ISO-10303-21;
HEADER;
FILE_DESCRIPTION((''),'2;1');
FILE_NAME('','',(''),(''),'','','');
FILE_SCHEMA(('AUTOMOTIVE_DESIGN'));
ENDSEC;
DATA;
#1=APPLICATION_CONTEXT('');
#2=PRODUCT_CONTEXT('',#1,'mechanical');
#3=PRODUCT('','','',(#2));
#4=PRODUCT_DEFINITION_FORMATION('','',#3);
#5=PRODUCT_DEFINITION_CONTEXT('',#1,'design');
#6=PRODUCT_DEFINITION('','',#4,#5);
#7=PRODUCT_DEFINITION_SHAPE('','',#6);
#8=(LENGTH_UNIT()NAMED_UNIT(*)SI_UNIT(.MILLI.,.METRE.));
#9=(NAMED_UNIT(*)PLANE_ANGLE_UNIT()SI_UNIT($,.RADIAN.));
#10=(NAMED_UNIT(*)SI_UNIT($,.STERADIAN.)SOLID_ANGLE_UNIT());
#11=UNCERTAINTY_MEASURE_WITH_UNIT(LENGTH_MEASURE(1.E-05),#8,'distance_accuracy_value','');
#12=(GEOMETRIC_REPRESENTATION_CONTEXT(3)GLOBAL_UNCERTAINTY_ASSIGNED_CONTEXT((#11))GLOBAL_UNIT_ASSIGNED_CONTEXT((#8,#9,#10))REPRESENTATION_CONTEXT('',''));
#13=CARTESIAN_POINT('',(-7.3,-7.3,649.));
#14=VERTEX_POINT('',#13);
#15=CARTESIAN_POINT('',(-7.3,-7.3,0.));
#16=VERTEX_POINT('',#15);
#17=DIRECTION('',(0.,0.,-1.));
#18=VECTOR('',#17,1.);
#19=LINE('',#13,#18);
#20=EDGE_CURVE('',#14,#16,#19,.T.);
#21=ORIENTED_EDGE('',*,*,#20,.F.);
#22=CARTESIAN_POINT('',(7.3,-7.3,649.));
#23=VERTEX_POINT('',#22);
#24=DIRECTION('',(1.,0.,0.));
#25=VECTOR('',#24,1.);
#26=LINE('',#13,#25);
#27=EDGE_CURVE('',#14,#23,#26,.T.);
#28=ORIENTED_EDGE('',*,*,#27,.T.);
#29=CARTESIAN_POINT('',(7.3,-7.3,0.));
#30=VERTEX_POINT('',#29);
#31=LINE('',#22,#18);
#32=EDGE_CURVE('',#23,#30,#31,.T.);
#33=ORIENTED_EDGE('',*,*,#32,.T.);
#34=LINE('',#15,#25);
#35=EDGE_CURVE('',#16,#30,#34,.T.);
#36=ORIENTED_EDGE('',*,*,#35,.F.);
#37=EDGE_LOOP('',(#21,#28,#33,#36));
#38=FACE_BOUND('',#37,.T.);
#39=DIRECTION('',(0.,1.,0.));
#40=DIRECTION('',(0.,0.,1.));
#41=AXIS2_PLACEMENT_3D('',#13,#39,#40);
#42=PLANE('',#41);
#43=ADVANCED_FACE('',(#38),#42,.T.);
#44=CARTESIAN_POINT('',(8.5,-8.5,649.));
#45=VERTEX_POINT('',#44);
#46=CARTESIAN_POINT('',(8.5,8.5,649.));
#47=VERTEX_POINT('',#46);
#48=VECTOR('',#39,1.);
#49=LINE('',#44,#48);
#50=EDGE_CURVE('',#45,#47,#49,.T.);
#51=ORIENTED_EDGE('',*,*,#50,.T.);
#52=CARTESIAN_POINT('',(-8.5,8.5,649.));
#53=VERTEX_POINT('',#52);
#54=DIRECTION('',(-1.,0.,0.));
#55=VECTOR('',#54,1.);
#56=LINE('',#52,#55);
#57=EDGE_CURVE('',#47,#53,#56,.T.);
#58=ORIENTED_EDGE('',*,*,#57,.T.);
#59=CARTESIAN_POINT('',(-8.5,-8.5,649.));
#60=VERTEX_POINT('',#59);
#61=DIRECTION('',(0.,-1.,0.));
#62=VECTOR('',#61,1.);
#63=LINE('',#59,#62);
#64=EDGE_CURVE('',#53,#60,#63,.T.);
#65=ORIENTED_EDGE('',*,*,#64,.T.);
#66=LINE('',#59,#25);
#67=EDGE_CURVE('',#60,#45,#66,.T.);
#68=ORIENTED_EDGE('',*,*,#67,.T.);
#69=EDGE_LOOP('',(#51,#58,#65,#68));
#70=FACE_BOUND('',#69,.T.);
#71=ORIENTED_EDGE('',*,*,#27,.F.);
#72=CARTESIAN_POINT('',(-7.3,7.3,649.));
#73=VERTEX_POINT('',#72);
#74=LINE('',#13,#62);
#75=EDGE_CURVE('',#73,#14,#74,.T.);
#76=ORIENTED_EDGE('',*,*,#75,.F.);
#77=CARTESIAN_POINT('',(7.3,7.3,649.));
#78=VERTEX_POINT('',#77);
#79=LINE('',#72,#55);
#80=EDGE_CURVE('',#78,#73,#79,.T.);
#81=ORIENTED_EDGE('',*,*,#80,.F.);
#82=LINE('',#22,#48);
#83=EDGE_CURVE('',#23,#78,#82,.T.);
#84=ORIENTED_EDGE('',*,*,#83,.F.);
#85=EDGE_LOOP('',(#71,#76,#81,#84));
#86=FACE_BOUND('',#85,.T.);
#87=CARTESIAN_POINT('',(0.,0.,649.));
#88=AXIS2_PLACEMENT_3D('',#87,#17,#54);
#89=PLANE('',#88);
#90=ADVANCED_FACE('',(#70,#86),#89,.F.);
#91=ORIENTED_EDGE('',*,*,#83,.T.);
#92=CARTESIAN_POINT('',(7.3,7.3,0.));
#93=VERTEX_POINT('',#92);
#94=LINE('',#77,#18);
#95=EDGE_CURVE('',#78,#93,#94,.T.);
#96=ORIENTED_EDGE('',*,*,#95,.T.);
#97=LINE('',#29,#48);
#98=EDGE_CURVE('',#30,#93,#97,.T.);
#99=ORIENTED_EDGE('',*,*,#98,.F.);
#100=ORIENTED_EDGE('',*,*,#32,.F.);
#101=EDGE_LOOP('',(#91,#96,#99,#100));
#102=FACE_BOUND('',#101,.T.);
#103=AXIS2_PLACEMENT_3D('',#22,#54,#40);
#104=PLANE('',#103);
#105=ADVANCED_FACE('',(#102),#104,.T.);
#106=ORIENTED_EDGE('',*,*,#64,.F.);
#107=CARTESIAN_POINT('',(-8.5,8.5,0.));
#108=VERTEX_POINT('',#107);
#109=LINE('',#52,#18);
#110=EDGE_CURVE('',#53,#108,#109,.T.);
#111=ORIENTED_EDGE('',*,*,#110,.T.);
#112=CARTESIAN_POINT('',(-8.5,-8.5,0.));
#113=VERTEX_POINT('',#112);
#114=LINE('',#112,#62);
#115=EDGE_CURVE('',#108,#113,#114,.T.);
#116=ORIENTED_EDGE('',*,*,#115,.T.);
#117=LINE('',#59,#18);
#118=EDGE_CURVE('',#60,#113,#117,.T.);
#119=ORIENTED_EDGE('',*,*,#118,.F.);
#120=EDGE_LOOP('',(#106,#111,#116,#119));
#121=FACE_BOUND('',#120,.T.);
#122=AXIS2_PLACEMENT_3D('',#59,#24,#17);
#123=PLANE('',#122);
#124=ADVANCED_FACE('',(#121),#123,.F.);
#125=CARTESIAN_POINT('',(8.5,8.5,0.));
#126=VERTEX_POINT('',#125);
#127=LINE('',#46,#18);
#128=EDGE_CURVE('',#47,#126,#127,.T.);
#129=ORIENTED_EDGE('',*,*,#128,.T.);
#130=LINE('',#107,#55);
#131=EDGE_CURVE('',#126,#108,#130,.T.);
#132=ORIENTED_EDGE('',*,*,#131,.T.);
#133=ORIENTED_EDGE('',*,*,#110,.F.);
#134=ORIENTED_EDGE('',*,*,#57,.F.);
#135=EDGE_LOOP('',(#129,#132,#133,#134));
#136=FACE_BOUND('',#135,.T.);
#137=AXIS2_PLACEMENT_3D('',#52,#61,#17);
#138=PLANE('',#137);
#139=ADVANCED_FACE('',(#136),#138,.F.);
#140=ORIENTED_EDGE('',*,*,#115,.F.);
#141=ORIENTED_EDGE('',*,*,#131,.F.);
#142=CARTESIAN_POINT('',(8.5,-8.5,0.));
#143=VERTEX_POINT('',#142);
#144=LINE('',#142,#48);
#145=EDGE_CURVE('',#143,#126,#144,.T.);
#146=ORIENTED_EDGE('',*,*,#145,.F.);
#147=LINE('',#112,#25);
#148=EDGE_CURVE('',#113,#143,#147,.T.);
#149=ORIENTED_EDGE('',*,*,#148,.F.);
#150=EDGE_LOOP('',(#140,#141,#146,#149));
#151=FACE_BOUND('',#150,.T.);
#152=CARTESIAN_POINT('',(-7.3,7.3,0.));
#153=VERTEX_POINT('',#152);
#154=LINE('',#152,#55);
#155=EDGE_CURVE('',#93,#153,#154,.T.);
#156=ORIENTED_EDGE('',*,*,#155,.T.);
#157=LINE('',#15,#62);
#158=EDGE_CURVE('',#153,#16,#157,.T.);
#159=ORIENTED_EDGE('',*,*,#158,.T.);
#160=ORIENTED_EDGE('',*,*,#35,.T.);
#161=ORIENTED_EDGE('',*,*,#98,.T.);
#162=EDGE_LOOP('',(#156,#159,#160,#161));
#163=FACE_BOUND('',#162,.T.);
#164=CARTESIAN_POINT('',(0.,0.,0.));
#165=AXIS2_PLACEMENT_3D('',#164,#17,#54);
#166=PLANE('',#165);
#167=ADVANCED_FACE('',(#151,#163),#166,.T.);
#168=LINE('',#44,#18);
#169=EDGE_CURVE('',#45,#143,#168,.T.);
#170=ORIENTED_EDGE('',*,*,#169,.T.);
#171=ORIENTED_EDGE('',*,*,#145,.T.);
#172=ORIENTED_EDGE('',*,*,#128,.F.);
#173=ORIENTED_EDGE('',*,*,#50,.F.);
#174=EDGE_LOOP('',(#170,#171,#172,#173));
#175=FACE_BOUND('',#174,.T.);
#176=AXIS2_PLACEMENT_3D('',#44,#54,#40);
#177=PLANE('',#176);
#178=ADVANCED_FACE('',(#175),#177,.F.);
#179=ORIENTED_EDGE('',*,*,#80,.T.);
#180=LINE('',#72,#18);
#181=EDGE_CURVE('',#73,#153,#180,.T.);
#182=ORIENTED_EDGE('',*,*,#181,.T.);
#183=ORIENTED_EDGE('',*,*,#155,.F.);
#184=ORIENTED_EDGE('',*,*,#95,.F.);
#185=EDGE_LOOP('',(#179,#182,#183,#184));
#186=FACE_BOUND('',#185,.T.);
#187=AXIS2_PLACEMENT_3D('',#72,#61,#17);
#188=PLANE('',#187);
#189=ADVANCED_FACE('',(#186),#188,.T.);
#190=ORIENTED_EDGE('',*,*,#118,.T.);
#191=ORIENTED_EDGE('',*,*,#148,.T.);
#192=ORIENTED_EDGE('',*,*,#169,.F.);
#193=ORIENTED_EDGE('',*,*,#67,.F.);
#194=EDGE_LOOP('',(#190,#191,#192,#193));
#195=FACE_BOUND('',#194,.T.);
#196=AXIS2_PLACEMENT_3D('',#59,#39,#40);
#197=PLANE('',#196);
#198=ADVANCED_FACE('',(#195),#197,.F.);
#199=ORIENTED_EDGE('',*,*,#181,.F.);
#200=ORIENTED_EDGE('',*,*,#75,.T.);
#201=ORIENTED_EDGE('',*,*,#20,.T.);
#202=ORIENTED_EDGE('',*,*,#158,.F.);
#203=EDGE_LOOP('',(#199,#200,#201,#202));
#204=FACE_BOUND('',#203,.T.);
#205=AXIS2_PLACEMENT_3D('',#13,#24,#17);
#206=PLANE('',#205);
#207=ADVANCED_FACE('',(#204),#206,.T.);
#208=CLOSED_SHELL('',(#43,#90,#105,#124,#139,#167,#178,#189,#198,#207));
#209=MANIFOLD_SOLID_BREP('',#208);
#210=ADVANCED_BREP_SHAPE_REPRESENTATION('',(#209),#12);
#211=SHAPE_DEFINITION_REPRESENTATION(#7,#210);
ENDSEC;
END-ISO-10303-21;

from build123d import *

# Parameters (mm, degrees)
SKETCH1_W           = 17
SKETCH1_H           = 17
SKETCH1_W_2         = 14.6
SKETCH1_H_2         = 14.6
BOSS_EXTRUDE1_DEPTH = 649


with BuildPart() as part:
    # Sketch1 → Boss-Extrude1 (new body)
    with BuildSketch(Plane.XY):
        Rectangle(SKETCH1_W, SKETCH1_H)
        Rectangle(SKETCH1_W_2, SKETCH1_H_2, mode=Mode.SUBTRACT)
    extrude(amount=BOSS_EXTRUDE1_DEPTH)


solid = part.part
